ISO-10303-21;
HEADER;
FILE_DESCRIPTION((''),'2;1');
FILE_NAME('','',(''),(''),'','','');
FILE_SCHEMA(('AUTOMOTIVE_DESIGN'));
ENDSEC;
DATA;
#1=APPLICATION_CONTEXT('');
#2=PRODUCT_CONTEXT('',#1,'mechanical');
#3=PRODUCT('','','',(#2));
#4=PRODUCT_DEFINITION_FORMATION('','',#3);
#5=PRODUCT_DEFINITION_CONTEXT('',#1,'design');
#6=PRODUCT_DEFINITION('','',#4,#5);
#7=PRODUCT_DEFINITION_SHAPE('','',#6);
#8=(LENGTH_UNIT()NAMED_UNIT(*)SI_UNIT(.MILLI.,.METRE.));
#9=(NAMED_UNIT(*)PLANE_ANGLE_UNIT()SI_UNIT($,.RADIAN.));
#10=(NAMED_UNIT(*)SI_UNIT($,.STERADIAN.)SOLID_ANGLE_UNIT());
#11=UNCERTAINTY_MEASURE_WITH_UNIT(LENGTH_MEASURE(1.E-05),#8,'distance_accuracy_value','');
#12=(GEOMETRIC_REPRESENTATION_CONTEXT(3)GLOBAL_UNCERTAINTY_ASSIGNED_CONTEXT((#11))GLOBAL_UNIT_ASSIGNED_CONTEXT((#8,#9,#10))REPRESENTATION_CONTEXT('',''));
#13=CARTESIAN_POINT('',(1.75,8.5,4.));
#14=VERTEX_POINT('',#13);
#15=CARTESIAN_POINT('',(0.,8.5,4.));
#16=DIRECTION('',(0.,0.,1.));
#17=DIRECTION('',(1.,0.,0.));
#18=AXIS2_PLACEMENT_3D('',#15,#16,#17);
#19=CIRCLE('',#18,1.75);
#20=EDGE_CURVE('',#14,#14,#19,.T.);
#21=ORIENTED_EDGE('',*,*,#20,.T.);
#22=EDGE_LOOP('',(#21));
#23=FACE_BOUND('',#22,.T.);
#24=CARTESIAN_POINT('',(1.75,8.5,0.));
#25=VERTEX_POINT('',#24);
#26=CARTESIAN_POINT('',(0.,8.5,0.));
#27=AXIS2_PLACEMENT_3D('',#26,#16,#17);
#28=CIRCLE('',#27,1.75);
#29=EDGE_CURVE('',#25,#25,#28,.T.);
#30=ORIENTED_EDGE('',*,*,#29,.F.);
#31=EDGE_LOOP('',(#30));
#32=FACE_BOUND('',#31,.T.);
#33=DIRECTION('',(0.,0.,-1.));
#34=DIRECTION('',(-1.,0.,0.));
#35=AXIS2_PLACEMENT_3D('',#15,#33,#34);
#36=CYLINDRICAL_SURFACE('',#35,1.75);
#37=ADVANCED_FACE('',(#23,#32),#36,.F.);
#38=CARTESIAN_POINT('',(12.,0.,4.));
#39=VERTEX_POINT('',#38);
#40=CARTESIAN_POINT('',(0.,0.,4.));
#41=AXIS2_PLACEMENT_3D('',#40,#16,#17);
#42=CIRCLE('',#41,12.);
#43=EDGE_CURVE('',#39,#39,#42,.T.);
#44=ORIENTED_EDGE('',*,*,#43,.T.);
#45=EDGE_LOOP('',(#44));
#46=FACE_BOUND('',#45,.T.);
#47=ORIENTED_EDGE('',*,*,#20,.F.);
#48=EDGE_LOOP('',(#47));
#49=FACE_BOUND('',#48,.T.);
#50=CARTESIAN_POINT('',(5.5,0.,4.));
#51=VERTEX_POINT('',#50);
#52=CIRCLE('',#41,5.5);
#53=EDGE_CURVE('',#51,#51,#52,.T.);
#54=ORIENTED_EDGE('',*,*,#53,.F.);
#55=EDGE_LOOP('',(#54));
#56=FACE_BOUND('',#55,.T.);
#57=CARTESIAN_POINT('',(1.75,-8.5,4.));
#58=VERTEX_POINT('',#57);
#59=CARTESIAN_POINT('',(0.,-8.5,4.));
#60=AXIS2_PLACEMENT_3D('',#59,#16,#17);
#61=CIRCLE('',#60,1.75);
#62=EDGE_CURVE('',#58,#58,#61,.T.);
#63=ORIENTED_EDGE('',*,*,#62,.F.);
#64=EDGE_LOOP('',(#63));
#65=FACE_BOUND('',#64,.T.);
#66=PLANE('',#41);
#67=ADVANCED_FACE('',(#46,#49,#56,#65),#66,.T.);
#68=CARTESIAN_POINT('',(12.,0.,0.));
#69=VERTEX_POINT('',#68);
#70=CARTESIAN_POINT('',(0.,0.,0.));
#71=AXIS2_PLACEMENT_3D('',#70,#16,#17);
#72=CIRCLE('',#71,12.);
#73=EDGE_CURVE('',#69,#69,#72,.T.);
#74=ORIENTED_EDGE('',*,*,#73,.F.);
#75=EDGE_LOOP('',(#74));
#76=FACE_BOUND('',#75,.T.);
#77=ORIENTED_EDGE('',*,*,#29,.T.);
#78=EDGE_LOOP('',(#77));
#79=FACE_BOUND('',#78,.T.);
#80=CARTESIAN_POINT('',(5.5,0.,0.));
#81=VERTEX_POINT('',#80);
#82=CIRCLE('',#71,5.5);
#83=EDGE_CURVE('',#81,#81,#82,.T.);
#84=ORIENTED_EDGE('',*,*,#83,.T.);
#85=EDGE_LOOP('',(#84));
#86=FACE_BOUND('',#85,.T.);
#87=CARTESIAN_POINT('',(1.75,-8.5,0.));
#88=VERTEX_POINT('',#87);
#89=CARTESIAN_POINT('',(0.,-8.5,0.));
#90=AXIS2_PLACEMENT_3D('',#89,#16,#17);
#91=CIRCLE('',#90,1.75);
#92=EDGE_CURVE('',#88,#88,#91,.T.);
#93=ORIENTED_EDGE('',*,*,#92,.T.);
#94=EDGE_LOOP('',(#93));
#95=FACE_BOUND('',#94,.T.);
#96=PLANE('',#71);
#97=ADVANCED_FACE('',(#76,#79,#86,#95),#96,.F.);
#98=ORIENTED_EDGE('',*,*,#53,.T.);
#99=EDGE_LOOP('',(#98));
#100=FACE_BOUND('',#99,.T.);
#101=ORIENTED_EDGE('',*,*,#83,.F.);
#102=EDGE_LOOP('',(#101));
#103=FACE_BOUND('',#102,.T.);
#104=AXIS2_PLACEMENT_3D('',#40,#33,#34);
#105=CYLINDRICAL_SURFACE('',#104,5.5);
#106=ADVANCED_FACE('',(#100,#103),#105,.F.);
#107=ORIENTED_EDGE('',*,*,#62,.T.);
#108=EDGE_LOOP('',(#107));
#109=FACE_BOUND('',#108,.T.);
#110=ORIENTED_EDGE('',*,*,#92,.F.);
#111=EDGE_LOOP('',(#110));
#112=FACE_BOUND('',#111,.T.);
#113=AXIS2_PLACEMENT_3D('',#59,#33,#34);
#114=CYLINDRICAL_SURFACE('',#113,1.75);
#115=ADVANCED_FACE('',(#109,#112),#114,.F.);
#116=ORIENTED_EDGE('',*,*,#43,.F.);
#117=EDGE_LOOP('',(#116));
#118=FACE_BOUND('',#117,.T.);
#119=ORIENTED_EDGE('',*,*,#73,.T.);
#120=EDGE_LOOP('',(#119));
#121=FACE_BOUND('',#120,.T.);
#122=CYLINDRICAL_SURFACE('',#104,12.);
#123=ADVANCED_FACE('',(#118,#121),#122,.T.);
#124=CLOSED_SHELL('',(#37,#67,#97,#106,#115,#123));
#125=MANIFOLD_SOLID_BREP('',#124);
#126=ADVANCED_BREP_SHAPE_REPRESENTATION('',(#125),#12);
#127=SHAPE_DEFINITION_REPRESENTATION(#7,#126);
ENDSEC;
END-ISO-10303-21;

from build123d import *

# Parameters (mm, degrees)
SKETCH_1_R      = 12
SKETCH_1_R_2    = 5.5
SKETCH_1_R_3    = 1.75
EXTRUDE_1_DEPTH = 4


with BuildPart() as part:
    # Эскиз1 → Бобышка-Вытянуть1 (new body)
    with BuildSketch(Plane.XY):
        Circle(SKETCH_1_R)
        Circle(SKETCH_1_R_2, mode=Mode.SUBTRACT)
        with Locations((0, 8.5)):
            Circle(SKETCH_1_R_3, mode=Mode.SUBTRACT)
        with Locations((0, -8.5)):
            Circle(SKETCH_1_R_3, mode=Mode.SUBTRACT)
    extrude(amount=EXTRUDE_1_DEPTH)


solid = part.part
